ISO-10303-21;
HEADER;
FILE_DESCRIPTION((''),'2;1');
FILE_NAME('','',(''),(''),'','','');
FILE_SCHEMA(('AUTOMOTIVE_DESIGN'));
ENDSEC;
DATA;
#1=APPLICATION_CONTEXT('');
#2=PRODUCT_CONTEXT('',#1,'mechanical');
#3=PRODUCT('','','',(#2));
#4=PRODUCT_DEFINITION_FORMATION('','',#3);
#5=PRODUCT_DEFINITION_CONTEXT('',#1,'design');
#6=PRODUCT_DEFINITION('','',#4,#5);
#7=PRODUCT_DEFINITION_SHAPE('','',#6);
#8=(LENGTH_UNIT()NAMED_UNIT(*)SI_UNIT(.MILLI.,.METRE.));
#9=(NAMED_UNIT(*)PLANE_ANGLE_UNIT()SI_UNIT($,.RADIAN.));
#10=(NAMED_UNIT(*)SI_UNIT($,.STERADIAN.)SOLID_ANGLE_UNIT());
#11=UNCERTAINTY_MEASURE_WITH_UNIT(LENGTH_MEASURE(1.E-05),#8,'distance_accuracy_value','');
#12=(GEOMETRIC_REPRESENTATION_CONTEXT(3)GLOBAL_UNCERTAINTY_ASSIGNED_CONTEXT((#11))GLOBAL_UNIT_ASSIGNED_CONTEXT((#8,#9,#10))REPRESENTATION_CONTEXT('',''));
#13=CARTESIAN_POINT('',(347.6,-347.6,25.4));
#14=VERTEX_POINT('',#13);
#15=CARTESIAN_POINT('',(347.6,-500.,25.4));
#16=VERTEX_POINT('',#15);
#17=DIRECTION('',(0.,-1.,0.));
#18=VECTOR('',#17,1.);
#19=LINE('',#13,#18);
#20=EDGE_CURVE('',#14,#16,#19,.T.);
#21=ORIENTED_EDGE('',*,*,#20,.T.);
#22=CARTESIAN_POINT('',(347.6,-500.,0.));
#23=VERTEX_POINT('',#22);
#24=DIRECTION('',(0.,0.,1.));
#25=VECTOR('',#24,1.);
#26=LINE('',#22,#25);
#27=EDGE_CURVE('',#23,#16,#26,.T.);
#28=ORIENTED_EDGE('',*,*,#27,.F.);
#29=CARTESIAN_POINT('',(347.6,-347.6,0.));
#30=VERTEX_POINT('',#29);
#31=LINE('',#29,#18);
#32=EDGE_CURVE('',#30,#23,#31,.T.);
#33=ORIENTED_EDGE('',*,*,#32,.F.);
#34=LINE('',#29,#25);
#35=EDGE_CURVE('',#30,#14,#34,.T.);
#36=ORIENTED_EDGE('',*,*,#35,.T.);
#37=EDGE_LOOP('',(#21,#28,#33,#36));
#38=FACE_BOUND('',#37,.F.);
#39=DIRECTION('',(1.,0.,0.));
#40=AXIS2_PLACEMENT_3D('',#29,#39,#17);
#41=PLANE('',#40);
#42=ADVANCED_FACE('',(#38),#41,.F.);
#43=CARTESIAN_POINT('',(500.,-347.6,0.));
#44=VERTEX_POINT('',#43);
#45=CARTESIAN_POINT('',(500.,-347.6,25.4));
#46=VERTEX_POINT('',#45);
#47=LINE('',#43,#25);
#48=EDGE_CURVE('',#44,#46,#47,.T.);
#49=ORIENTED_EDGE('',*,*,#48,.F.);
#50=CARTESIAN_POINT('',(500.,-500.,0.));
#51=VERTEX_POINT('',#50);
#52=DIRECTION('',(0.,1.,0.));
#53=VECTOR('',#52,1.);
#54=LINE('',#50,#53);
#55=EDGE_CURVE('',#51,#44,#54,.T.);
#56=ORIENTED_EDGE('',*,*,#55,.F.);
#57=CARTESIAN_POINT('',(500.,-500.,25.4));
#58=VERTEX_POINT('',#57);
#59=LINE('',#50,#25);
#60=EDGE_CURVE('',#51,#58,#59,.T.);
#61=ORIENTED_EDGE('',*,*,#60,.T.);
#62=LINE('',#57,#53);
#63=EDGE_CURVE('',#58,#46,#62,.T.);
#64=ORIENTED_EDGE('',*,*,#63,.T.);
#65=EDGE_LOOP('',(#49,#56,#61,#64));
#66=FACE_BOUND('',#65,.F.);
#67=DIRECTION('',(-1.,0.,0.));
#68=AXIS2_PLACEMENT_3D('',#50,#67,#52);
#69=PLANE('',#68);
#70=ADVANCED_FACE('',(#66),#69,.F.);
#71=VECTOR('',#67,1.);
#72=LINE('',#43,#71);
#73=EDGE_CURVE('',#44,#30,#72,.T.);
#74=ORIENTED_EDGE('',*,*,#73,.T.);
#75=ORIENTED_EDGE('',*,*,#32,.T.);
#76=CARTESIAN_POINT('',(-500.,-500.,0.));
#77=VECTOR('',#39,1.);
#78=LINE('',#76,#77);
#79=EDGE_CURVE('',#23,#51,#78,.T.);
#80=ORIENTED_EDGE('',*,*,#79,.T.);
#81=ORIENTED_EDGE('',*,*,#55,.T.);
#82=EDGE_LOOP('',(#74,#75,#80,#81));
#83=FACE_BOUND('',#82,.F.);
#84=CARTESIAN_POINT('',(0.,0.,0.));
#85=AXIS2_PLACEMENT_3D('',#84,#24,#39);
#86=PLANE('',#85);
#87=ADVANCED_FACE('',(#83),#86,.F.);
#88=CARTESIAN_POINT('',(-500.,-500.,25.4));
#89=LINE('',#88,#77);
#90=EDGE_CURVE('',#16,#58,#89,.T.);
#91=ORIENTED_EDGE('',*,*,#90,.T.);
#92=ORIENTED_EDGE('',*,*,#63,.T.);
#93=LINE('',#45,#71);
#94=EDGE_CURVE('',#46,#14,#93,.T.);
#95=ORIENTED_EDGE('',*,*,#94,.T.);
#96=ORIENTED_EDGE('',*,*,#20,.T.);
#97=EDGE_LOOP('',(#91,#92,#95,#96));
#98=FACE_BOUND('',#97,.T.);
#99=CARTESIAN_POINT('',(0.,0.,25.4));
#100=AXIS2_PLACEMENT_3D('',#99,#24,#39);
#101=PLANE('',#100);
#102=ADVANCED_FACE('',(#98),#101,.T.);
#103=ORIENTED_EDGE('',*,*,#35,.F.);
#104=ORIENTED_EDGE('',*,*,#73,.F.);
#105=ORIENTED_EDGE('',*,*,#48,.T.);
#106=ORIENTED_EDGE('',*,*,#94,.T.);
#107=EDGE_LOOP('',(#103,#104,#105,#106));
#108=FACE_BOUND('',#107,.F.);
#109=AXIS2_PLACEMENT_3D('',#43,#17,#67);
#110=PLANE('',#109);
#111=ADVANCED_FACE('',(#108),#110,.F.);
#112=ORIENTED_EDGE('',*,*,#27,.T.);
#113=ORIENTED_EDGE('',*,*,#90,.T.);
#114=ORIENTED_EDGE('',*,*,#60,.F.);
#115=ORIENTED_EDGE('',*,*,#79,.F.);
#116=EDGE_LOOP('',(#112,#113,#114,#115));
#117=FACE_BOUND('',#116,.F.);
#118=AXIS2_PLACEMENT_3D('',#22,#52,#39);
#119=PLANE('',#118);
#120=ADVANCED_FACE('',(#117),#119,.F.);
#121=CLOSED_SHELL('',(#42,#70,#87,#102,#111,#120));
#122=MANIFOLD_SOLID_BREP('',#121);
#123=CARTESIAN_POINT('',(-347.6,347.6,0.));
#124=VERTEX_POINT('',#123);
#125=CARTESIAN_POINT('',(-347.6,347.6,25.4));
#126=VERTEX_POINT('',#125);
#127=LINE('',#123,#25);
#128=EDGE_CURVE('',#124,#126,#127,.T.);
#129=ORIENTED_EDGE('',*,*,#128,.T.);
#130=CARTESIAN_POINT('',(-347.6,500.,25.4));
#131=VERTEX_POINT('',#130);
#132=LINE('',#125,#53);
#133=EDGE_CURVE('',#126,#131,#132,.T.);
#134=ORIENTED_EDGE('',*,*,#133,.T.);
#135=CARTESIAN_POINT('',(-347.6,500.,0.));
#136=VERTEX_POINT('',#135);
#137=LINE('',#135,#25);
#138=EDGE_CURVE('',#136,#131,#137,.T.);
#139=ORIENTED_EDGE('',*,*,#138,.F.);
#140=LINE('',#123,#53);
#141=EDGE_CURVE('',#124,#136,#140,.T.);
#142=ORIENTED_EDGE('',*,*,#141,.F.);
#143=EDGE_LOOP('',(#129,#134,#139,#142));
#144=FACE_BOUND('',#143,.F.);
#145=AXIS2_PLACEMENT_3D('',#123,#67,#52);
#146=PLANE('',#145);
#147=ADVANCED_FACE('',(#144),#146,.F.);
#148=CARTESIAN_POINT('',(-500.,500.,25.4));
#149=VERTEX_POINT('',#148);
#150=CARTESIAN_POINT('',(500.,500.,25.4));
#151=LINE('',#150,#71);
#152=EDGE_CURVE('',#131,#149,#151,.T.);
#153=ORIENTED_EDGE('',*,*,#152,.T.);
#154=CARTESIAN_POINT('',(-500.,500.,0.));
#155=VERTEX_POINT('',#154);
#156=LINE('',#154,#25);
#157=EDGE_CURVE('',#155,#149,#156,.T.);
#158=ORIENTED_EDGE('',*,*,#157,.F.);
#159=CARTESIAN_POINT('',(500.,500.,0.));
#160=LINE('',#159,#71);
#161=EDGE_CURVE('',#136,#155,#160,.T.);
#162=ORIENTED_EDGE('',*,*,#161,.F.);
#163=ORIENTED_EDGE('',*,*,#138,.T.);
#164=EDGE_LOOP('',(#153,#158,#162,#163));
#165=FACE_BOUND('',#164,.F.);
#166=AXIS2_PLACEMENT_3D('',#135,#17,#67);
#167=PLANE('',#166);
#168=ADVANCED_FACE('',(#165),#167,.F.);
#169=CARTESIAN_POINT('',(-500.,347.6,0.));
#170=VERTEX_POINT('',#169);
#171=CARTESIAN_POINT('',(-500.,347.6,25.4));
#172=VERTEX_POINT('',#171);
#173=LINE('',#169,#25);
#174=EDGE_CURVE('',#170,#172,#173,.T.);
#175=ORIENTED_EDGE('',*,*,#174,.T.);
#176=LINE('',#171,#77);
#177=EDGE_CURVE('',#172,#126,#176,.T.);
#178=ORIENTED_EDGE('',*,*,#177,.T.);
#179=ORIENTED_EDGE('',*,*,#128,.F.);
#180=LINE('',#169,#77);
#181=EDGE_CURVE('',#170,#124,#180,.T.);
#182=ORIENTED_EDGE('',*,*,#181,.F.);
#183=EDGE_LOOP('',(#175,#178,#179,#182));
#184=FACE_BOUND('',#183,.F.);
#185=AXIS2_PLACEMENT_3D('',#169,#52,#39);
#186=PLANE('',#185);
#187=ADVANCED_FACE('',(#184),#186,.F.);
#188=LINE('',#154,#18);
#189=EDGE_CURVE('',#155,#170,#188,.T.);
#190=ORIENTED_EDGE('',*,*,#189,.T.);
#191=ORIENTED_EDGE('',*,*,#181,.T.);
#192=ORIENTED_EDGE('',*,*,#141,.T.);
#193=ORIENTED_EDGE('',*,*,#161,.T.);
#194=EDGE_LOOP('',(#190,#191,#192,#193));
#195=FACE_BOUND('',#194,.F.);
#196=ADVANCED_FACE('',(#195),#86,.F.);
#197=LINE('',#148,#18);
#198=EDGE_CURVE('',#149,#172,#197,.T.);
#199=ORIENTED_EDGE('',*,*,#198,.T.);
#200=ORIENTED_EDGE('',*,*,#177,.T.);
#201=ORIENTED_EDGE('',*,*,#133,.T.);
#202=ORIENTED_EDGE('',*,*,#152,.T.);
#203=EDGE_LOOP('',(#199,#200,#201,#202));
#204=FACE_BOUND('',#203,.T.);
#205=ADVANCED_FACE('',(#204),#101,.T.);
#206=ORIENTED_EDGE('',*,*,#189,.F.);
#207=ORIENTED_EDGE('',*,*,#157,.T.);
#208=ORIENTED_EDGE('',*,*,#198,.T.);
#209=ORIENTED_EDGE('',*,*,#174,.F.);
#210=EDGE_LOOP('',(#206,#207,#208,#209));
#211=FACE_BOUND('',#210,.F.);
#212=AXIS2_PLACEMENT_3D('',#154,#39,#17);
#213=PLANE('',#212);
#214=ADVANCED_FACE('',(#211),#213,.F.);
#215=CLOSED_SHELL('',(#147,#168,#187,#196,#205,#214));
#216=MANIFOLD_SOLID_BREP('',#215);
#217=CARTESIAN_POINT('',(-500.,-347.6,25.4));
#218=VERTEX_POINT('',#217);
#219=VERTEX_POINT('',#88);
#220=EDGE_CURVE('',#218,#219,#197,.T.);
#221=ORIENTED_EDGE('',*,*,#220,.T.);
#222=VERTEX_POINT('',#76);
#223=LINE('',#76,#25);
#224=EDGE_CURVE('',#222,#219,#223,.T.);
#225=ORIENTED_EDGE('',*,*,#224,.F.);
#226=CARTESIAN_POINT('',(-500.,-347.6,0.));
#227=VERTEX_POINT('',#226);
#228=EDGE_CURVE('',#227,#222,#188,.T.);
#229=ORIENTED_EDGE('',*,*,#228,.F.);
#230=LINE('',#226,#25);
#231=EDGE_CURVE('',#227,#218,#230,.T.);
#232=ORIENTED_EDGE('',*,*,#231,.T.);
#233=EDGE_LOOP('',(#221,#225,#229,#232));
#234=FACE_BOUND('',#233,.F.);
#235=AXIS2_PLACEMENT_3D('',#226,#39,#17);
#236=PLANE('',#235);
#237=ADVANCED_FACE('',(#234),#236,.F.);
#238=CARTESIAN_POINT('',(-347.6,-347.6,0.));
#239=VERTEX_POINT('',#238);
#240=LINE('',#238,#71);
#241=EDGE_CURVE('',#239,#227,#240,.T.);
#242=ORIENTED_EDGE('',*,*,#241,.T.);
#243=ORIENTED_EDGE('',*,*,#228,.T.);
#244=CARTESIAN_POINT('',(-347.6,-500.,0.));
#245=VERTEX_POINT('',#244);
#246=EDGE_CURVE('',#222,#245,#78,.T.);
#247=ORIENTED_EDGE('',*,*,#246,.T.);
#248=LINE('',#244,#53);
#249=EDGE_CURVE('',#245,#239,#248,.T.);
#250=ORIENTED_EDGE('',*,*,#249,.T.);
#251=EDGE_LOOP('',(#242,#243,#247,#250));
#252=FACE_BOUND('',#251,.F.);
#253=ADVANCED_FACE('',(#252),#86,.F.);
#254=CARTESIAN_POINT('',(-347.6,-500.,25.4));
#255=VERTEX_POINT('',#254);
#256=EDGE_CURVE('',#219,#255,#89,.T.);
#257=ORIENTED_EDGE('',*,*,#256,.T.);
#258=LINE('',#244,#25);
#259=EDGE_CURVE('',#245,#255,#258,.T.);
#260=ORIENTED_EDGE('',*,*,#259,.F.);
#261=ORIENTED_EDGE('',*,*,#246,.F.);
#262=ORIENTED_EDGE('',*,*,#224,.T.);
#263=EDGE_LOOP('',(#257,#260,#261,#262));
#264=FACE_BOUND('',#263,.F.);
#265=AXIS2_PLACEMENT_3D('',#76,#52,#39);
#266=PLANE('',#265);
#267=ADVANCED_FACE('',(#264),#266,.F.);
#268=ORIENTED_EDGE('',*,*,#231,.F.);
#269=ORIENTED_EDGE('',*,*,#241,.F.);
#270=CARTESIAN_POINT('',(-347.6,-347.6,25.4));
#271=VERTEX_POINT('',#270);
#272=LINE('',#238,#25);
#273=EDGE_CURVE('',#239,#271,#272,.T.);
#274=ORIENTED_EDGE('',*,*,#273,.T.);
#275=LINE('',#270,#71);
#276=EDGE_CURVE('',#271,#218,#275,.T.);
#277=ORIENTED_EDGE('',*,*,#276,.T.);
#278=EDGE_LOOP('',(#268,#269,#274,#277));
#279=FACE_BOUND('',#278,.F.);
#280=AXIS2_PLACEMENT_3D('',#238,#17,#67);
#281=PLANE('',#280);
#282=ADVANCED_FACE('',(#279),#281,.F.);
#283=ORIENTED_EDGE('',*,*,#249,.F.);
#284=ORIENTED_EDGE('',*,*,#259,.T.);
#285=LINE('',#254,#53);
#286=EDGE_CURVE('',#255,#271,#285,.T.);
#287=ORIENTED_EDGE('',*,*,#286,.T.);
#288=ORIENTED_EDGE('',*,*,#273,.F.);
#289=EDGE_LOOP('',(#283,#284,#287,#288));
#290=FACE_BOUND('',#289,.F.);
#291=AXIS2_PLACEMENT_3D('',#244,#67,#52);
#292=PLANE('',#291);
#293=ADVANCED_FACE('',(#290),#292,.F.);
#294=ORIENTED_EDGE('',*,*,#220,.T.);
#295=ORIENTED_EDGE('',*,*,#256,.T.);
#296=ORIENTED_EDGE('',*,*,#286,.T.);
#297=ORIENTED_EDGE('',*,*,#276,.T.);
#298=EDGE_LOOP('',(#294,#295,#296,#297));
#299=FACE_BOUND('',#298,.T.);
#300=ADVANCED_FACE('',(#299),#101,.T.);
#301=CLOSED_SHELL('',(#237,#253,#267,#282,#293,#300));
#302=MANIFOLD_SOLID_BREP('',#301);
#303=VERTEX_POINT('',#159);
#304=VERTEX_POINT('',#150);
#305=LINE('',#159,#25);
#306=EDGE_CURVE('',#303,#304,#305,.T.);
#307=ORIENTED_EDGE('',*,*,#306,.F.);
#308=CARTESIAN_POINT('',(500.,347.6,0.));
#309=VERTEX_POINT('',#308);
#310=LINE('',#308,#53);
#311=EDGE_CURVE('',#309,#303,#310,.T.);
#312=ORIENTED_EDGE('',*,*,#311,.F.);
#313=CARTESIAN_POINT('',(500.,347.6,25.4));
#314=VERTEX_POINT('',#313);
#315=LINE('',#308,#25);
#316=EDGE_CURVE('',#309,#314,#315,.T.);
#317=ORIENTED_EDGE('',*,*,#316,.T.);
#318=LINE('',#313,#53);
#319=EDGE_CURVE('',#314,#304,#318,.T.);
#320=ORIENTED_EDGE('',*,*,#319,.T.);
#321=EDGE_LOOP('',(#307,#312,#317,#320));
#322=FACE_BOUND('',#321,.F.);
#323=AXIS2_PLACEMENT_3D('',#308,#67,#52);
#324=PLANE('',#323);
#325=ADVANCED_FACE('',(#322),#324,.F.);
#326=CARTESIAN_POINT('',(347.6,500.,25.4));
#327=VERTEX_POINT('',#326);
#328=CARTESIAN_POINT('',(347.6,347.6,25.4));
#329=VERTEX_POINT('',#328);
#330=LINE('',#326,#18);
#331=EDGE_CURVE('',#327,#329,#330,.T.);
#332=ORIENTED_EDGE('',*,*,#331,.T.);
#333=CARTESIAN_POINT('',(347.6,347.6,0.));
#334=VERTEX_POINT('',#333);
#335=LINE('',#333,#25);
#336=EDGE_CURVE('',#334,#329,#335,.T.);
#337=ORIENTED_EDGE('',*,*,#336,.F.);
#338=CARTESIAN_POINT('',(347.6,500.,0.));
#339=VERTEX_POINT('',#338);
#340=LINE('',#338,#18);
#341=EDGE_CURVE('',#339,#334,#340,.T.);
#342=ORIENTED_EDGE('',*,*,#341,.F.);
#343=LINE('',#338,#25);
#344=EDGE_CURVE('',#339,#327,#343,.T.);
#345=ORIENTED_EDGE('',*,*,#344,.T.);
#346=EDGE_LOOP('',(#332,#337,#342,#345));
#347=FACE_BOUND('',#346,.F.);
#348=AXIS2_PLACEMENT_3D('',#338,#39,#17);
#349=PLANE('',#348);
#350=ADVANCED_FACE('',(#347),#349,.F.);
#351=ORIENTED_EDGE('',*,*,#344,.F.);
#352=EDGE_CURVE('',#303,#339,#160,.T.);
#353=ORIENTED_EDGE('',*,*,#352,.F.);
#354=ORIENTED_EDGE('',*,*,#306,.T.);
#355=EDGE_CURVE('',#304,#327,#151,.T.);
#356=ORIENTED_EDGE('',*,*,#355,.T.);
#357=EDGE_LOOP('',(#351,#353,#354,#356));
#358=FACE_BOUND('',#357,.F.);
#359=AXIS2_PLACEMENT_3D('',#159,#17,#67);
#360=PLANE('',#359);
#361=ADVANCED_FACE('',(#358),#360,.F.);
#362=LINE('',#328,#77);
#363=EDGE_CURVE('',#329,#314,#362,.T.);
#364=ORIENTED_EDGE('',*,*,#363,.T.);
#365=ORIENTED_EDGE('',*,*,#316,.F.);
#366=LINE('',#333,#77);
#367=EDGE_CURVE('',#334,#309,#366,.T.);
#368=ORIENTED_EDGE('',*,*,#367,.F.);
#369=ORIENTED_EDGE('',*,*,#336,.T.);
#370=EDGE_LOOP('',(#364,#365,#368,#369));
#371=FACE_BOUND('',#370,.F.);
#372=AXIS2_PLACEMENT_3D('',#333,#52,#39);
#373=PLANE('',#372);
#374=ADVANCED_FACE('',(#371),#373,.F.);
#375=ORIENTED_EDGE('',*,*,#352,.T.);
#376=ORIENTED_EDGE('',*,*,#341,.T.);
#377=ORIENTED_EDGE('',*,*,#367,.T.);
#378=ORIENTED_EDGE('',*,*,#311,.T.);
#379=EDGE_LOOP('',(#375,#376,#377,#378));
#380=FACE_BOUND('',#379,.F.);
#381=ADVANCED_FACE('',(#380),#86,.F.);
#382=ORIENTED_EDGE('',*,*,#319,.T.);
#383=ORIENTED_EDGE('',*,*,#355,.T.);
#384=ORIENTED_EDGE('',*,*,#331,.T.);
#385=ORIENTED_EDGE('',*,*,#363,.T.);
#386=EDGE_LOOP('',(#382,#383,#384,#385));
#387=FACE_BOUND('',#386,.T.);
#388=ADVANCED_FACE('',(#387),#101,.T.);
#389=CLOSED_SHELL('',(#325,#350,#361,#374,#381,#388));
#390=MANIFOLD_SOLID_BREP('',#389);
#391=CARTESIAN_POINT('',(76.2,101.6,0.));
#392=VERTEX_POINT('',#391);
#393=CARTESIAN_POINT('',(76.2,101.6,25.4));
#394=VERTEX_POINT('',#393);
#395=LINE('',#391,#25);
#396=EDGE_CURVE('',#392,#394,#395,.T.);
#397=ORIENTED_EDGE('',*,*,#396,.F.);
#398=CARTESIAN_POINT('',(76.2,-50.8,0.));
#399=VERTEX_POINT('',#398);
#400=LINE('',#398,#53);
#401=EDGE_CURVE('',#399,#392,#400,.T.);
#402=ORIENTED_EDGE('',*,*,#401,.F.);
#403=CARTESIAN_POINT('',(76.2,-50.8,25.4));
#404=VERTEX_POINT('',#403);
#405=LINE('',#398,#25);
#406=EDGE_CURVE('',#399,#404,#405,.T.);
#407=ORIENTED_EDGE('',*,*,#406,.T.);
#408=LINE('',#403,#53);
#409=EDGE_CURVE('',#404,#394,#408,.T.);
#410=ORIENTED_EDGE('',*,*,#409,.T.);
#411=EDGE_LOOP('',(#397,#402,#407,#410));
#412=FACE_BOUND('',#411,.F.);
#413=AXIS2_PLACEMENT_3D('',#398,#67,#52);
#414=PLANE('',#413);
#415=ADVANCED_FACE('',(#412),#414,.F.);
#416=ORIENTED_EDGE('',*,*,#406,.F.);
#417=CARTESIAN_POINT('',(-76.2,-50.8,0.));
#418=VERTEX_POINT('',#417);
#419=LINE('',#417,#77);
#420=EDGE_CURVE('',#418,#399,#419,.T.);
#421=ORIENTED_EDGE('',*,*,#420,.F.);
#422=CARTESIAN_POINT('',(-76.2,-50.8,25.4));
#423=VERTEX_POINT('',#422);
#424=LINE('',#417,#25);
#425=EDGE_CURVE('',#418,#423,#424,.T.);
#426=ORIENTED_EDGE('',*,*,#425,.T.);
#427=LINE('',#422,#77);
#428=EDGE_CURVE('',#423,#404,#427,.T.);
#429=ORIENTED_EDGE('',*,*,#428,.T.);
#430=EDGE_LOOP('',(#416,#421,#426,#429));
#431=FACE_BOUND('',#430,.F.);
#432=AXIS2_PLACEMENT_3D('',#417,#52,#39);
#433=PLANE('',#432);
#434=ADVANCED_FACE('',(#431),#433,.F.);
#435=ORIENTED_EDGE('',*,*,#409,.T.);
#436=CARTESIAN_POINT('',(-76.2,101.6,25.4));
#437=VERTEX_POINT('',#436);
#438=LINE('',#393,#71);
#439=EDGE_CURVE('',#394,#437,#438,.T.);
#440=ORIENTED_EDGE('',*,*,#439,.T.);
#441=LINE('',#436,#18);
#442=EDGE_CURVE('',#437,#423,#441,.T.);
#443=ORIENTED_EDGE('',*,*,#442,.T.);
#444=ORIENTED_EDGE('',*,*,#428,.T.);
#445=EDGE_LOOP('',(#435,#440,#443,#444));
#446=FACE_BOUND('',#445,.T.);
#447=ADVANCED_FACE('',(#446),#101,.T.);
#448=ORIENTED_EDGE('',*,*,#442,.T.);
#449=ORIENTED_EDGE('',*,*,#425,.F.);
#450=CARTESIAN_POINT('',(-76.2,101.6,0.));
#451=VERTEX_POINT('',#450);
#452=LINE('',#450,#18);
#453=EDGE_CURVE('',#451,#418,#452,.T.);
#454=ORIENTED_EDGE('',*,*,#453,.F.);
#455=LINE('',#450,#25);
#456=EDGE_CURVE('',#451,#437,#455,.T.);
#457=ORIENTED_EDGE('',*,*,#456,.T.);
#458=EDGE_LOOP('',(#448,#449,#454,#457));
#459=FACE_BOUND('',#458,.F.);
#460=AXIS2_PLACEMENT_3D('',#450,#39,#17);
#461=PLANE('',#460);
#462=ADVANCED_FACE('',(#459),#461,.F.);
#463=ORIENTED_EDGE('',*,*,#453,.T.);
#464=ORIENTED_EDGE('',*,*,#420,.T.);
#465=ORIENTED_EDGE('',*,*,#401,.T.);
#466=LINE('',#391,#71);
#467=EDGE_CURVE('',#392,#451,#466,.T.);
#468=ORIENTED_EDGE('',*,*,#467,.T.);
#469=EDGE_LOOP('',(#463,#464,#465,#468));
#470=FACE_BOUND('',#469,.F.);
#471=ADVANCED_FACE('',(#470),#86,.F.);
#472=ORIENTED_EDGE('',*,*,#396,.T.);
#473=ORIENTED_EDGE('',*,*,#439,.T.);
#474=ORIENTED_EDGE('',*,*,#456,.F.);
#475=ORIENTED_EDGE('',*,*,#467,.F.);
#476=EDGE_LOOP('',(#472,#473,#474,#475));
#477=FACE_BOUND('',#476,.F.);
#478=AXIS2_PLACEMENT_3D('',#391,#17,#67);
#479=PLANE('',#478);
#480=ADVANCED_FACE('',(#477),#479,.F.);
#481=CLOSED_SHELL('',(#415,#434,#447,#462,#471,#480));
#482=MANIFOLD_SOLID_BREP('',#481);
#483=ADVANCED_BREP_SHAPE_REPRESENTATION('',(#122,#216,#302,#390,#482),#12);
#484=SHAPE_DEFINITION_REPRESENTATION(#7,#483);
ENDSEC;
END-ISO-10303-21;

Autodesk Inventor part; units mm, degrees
ref_plane "YZ Plane" through (0, 0, 0) normal (1, 0, 0) x (0, 1, 0)
ref_plane "XZ Plane" through (0, 0, 0) normal (0, 1, 0) x (-1, 0, 0)
ref_plane "XY Plane" through (0, 0, 0) normal (0, 0, 1) x (1, 0, 0)
ref_plane "Work Plane1" through (0, 0, 0) normal (0, 0, 1) x (1, 0, 0)
sketch "Sketch1" plane through (0, 0, 0) normal (0, 0, 1) x (1, 0, 0)
  line L0 (500, 500) -> (347.6, 500)
  line L1 (347.6, 500) -> (347.6, 347.6)
  line L2 (347.6, 347.6) -> (500, 347.6)
  line L3 (500, 347.6) -> (500, 500)
  line L4 (500, 500) -> (-500, 500)
  line L5 (-500, 500) -> (-500, -500)
  line L6 (-500, -500) -> (500, -500)
  line L7 (500, -500) -> (500, 500)
  line L8 (-500, 500) -> (-500, 347.6)
  line L9 (-500, 347.6) -> (-347.6, 347.6)
  line L10 (-347.6, 347.6) -> (-347.6, 500)
  line L11 (-347.6, 500) -> (-500, 500)
  line L12 (347.6, -347.6) -> (347.6, -500)
  line L13 (347.6, -500) -> (500, -500)
  line L14 (500, -500) -> (500, -347.6)
  line L15 (500, -347.6) -> (347.6, -347.6)
  line L16 (-500, -347.6) -> (-500, -500)
  line L17 (-500, -500) -> (-347.6, -500)
  line L18 (-347.6, -500) -> (-347.6, -347.6)
  line L19 (-347.6, -347.6) -> (-500, -347.6)
  line L20 (76.2, 101.6) -> (-76.2, 101.6)
  line L21 (-76.2, 101.6) -> (-76.2, -50.8)
  line L22 (-76.2, -50.8) -> (76.2, -50.8)
  line L23 (76.2, -50.8) -> (76.2, 101.6)
  point P0 (0, 0)
  dimension "d0" = 152.4
  dimension "d1" = 152.4
  dimension "d2" = 1000
  dimension "d3" = 1000
  dimension "d6" = 847.6
  dimension "d9" = 847.6
  dimension "d12" = 152.4
  dimension "d13" = 152.4
extrude "Extrusion1" add sketch "Sketch1" along normal blind 25.4 contours L3 L2 L1 L0 | L10 L9 L5 L4 | L7 L6 L12 L15 | L19 L18 L6 L5 | L23 L22 L21 L20
